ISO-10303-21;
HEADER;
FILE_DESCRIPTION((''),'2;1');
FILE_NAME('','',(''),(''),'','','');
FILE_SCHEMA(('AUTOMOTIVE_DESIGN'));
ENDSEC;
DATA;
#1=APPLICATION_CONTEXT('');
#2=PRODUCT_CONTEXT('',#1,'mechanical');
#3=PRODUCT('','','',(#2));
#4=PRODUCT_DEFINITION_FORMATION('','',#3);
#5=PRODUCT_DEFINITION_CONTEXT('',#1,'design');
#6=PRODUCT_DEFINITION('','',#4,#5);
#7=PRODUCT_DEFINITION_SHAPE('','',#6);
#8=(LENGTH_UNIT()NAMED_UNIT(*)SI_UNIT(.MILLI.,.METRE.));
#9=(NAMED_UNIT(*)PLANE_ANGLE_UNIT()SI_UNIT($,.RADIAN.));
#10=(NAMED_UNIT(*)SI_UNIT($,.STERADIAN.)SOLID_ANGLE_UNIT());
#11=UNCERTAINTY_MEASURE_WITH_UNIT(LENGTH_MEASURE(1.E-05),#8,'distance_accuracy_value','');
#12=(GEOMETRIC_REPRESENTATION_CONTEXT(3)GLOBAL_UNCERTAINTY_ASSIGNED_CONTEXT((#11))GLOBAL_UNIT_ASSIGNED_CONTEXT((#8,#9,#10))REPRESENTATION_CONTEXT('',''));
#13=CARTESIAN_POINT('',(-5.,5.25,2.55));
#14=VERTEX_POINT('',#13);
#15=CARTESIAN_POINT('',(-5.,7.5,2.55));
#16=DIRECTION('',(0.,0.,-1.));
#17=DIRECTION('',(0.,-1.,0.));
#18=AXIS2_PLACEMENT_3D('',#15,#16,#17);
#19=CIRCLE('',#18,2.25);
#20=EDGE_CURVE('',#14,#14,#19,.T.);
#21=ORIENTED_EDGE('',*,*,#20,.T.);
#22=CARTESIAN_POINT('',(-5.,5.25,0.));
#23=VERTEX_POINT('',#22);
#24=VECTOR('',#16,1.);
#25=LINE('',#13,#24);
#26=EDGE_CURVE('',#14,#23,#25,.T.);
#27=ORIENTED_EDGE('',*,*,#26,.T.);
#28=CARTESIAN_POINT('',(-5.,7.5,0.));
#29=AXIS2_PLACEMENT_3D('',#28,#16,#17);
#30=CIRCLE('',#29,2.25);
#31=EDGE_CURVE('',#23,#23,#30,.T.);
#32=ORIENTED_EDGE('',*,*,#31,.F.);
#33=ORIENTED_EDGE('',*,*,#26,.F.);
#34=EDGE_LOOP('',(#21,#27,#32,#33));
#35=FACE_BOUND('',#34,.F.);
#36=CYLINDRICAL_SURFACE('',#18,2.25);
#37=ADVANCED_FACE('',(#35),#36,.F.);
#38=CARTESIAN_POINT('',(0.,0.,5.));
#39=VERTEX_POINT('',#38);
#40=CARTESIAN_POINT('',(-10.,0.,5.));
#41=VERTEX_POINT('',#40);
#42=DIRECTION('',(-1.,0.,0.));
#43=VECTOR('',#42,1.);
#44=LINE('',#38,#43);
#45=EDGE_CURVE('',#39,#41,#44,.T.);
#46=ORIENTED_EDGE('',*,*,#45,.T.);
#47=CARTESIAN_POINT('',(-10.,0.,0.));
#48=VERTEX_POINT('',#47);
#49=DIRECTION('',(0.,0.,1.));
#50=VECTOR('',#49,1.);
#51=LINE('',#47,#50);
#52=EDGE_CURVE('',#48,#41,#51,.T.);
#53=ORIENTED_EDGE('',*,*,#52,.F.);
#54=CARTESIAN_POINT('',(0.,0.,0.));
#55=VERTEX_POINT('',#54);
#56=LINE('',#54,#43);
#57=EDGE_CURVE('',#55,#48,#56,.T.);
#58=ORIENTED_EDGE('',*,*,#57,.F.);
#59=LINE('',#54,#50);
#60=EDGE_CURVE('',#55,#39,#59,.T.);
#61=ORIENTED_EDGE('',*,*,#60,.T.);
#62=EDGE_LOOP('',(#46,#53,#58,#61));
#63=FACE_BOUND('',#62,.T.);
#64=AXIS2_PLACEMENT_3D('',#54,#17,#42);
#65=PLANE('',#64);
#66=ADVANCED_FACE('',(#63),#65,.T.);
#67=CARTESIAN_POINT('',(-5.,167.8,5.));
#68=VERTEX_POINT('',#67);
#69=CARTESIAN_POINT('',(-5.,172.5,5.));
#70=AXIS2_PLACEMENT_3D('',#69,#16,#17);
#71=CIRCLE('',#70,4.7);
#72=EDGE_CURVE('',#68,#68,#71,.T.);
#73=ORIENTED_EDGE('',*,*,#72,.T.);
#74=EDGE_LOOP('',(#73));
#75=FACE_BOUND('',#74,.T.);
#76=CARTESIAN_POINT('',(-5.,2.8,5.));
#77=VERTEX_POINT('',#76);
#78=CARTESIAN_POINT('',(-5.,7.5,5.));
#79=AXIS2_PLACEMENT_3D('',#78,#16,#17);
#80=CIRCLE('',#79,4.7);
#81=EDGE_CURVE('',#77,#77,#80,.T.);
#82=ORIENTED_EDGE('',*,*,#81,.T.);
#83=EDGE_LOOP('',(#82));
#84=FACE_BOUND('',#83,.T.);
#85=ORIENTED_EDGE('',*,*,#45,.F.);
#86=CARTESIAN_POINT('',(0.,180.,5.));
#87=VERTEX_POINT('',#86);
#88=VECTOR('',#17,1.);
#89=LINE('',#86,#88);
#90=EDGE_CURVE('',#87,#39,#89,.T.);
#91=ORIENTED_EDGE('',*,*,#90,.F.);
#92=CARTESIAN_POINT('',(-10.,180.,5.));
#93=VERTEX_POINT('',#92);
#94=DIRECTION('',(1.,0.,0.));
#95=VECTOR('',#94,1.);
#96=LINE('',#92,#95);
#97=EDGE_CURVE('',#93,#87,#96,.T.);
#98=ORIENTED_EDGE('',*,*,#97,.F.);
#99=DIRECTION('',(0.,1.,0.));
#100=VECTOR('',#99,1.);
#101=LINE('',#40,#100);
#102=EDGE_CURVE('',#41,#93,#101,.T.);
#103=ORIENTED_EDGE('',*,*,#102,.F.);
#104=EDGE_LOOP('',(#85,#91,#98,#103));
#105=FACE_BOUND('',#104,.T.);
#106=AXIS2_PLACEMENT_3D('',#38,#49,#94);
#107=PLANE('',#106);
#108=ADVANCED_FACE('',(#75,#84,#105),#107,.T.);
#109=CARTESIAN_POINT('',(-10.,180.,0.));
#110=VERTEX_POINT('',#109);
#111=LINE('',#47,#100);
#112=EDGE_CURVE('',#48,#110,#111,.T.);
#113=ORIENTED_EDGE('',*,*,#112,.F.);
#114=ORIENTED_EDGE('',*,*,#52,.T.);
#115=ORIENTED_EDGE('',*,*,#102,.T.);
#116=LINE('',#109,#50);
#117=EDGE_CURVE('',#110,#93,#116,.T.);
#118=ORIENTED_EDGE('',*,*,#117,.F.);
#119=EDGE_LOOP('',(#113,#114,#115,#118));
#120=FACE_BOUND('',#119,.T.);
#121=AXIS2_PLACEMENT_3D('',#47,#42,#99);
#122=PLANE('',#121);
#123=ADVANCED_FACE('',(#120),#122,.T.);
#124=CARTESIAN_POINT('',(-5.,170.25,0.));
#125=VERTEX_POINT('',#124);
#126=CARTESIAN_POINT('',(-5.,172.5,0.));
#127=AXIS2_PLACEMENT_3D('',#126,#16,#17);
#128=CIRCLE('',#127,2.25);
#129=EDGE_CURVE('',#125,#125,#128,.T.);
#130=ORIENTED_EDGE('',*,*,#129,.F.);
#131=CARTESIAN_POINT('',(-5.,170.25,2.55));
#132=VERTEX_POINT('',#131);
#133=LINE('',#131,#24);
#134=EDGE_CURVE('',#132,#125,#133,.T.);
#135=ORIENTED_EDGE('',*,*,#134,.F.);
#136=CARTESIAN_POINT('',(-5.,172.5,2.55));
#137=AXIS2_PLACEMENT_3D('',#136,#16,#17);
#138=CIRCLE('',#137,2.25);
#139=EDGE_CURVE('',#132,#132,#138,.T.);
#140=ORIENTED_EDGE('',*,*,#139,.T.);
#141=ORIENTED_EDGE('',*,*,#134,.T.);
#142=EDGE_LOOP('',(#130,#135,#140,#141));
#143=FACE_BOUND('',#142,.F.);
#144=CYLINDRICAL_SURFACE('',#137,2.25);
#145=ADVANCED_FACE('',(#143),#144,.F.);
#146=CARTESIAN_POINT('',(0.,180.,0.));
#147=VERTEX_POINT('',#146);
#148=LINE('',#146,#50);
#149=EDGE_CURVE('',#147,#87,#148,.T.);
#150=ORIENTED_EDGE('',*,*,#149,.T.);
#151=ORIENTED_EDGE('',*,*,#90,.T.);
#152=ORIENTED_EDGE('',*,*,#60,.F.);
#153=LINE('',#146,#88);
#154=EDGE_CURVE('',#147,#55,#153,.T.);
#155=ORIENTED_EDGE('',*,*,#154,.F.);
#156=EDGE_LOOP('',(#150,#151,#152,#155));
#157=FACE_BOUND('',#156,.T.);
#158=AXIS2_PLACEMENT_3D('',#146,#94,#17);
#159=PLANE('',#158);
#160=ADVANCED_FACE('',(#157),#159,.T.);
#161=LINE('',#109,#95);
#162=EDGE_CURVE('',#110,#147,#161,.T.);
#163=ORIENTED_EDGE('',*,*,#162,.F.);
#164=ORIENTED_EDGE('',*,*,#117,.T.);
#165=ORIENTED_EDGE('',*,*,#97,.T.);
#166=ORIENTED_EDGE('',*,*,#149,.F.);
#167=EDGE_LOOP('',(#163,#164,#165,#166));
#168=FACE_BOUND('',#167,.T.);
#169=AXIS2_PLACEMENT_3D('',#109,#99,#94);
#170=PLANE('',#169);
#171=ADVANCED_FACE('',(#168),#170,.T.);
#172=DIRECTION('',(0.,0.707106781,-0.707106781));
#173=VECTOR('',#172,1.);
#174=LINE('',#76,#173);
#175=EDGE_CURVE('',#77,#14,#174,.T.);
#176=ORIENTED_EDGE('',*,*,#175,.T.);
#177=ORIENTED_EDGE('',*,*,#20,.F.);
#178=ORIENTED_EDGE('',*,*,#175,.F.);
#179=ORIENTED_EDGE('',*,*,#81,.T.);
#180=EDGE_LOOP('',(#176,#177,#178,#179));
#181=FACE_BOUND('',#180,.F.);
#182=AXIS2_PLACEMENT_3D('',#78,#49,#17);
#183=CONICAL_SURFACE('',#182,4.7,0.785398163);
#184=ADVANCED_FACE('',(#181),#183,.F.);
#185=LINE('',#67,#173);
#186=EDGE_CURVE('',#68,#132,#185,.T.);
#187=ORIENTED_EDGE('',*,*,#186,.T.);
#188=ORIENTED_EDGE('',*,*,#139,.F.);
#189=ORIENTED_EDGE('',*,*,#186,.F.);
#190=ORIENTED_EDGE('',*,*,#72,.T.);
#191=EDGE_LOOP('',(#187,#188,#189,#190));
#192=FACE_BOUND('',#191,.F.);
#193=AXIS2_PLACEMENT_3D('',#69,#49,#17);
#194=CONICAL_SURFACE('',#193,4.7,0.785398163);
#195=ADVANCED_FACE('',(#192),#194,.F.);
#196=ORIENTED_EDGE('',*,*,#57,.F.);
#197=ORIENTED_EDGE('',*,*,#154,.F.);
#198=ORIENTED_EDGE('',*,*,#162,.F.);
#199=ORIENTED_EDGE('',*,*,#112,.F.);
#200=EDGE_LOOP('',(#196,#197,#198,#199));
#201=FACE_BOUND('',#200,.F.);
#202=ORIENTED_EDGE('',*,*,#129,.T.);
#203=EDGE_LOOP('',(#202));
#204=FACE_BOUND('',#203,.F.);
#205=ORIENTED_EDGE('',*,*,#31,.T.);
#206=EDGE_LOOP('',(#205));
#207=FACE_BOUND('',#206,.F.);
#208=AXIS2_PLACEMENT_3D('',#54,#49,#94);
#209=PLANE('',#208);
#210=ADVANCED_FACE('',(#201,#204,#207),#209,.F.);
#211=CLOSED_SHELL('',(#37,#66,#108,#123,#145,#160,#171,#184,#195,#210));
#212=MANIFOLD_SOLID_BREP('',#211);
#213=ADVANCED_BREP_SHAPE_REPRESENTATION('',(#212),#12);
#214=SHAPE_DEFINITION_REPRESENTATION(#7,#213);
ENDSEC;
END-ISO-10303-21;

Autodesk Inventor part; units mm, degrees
ref_plane "YZ Plane" through (0, 0, 0) normal (1, 0, 0) x (0, 1, 0)
ref_plane "XZ Plane" through (0, 0, 0) normal (0, 1, 0) x (-1, 0, 0)
ref_plane "XY Plane" through (0, 0, 0) normal (0, 0, 1) x (1, 0, 0)
sketch "Sketch1" plane through (0, 0, 0) normal (0, 0, 1) x (1, 0, 0)
  line L0 (0, 0) -> (-10, 0)
  line L1 (-10, 0) -> (-10, 180)
  line L2 (-10, 180) -> (0, 180)
  line L3 (0, 180) -> (0, 0)
  dimension "d0" = 10
  dimension "d1" = 180
extrude "Extrusion1" add sketch "Sketch1" along normal blind 5
sketch "Sketch2" plane through (0, 0, 5) normal (0, 0, 1) x (1, 0, 0)
  line L0 (0, 180) -> (-10, 180) projected
  line L1 (-10, 0) -> (0, 0) projected
  line L2 (-10, 180) -> (-10, 0) projected
  line L3 (0, 0) -> (0, 180) projected
  point P0 (-5, 172.5)
  point P1 (-5, 7.5)
  dimension "d4" = 7.5
  dimension "d5" = 7.5
  dimension "d8" = 5
  dimension "d9" = 5
hole "Hole1" at (-5, 172.5, 5) at (-5, 7.5, 5) direction (0, 0, -1) diameter 4.5 end through all countersink diameter 9.4 countersink angle 90 clearance for "Flat Head Machine Screw" size "M4" standard "Ansi Metric M Profile"
equation "\"d5\" = d4"
equation "\"d8\" = d9"
properties part number "Pancake_Exit Piece" material "Wood (Birch)"
